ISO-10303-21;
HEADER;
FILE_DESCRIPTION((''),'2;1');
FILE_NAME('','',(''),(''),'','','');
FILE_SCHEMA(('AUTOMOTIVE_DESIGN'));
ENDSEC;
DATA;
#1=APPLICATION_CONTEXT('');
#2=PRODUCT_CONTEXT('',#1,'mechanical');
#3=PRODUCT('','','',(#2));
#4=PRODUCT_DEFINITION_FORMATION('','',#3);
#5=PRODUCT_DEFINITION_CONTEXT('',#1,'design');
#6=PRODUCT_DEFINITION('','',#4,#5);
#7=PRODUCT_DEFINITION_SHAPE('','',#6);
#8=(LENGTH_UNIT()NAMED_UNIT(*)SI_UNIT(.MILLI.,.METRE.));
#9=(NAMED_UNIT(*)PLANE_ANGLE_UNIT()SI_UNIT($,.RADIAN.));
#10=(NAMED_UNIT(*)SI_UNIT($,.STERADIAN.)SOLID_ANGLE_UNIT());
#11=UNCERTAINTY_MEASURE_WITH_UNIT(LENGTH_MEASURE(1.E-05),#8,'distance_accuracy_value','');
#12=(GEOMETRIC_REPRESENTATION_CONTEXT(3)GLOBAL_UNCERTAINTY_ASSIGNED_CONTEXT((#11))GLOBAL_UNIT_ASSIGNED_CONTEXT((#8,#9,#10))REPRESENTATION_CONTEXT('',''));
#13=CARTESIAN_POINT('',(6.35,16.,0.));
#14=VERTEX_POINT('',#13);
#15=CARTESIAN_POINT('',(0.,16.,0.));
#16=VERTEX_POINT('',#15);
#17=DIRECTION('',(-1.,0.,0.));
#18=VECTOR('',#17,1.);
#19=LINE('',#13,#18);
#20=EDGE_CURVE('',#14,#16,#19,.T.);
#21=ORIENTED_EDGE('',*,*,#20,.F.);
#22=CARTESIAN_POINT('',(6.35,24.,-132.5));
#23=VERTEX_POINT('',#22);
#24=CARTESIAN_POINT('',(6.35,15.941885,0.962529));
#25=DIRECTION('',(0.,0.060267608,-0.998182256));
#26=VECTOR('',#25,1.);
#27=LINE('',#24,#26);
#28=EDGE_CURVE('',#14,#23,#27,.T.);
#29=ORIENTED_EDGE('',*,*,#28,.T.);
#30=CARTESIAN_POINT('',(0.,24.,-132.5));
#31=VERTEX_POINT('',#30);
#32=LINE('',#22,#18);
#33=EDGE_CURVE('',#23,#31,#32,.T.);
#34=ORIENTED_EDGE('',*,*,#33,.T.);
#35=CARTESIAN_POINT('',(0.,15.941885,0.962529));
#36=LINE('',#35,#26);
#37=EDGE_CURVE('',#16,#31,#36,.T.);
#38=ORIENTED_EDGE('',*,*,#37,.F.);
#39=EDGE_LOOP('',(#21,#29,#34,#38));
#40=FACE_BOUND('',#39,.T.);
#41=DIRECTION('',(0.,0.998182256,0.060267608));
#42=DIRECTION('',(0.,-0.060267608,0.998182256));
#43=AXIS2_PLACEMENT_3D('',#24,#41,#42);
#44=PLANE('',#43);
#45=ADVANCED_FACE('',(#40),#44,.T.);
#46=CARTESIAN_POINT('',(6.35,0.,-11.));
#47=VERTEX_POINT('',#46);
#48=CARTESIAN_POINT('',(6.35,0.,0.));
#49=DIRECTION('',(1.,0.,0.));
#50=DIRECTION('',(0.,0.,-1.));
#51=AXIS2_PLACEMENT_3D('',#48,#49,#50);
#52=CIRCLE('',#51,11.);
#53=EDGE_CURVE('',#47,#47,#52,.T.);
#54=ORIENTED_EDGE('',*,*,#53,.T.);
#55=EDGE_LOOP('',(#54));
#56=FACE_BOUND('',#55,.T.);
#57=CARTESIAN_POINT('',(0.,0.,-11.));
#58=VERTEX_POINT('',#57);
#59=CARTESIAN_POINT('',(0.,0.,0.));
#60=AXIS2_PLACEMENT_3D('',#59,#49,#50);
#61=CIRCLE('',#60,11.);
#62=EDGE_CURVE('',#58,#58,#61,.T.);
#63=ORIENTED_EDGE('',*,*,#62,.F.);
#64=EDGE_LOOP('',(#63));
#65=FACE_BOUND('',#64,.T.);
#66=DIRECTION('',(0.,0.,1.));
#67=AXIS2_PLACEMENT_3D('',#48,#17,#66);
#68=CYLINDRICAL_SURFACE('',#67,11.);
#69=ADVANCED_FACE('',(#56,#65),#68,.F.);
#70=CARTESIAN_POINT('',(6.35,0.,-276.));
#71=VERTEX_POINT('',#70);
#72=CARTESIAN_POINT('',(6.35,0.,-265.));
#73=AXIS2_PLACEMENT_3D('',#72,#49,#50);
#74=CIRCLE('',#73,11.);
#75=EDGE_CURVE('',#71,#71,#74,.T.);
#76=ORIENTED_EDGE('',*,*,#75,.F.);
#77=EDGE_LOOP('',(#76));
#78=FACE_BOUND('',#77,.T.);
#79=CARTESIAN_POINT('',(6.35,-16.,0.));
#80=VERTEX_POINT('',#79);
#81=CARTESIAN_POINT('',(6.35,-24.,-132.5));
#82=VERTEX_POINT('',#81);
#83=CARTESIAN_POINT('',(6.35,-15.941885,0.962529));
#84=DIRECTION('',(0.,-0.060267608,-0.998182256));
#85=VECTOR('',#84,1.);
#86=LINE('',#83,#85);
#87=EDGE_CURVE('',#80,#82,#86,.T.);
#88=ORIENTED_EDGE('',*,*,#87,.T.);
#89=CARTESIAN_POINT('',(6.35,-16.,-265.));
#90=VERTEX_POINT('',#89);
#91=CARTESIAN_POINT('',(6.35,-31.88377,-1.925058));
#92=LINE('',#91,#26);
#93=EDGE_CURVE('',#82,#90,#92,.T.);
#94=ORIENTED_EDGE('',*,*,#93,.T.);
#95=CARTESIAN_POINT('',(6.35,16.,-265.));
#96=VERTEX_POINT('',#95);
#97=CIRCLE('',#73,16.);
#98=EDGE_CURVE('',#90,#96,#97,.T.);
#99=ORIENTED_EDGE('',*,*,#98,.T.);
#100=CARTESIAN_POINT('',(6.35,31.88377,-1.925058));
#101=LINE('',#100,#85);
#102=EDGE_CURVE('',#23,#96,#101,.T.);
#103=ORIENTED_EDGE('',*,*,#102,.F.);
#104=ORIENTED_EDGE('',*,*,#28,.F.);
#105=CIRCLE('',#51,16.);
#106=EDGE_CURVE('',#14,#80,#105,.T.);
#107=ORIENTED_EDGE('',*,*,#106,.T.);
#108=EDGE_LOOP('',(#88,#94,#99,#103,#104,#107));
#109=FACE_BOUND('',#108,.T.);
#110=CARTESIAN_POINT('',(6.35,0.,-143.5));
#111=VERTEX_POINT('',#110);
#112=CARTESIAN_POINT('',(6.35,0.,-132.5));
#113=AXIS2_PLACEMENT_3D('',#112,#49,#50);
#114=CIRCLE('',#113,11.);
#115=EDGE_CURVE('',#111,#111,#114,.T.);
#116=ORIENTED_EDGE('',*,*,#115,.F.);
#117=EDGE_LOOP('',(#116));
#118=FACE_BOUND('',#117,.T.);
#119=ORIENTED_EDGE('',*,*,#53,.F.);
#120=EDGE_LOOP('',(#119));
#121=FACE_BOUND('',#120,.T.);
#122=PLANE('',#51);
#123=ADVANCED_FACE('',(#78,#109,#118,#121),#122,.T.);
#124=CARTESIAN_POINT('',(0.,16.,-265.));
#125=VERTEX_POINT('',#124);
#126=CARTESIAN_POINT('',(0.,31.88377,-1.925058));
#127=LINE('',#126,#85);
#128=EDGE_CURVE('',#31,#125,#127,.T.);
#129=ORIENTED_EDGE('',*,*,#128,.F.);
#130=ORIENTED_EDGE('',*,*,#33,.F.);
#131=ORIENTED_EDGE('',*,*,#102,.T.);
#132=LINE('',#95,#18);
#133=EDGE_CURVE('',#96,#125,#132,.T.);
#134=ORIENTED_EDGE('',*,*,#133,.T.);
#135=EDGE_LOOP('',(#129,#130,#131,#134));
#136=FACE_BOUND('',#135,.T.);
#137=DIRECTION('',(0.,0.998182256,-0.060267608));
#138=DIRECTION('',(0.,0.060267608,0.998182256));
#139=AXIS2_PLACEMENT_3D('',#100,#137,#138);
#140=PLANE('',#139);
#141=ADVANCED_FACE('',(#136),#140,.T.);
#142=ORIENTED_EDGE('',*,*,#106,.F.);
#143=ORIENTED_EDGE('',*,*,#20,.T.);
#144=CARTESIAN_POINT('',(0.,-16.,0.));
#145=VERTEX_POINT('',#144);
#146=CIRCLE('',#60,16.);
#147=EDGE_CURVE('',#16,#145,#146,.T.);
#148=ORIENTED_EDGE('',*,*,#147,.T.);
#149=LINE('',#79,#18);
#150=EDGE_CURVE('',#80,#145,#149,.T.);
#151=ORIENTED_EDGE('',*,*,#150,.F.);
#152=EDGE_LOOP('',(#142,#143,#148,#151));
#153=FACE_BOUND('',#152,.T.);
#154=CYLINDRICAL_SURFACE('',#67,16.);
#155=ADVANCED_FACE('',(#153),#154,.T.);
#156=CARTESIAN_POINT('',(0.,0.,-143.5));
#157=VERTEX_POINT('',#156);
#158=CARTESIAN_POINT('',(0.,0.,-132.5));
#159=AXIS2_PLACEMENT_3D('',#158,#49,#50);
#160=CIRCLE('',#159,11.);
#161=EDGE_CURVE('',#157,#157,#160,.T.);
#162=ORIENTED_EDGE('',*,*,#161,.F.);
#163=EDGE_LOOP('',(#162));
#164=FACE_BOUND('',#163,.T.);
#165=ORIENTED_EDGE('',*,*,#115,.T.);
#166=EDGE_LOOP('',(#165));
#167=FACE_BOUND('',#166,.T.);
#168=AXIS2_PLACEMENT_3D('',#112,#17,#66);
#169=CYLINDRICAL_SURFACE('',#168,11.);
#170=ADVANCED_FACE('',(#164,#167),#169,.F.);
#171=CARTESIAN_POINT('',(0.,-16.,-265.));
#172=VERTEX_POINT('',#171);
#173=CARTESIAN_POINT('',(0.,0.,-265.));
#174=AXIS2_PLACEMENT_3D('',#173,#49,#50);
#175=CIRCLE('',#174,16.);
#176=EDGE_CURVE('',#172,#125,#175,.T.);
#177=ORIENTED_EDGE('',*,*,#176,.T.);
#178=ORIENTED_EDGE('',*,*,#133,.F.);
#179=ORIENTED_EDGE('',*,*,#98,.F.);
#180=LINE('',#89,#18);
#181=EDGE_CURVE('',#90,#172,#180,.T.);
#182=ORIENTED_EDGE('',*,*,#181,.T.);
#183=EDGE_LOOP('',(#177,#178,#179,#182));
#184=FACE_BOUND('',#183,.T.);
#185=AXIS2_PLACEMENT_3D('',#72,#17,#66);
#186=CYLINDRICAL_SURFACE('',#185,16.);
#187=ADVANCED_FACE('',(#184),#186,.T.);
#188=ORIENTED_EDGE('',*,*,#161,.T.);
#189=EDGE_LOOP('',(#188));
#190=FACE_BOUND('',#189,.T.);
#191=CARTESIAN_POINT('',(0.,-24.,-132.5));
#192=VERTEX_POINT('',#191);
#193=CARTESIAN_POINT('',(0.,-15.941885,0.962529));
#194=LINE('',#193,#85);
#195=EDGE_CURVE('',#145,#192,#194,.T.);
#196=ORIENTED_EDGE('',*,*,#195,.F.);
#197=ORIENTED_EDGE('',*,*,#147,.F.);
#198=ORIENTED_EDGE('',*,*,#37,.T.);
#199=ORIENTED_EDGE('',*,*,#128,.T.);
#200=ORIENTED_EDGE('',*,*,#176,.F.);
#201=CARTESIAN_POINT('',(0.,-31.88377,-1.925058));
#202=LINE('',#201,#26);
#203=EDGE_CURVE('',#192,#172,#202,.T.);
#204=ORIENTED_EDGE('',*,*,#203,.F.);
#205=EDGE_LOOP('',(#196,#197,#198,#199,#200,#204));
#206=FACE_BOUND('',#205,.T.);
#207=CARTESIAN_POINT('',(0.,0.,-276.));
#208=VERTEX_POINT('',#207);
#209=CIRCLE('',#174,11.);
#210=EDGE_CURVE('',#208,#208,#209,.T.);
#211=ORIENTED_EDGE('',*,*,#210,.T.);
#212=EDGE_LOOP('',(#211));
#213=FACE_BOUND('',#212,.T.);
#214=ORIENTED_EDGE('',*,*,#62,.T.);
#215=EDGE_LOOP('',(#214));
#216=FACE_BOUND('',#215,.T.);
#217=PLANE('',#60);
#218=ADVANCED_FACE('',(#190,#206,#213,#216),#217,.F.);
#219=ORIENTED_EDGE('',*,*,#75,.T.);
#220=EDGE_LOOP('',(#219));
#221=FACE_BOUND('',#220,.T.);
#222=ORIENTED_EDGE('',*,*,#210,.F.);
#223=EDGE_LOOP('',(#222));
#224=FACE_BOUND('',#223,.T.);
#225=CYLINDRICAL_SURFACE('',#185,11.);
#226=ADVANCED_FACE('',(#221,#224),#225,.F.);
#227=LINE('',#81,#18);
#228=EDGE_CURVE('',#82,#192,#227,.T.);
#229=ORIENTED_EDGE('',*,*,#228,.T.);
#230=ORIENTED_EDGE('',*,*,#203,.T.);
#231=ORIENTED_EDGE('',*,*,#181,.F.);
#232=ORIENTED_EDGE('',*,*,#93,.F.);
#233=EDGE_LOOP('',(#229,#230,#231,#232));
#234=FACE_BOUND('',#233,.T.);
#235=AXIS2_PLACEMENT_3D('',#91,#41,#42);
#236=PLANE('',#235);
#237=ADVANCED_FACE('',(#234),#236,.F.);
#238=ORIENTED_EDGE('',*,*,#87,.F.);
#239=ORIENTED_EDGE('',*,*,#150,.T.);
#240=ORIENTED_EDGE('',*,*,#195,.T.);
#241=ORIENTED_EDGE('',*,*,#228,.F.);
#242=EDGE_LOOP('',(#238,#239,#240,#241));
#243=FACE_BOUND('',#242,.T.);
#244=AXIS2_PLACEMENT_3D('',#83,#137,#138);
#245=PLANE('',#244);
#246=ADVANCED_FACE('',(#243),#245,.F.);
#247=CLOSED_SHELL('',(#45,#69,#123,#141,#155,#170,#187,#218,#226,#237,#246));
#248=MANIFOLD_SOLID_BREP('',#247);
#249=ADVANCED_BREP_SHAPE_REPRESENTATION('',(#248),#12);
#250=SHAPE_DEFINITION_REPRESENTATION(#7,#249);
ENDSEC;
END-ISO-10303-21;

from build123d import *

# Parameters (mm, degrees)
SKETCH1_R           = 11
BOSS_EXTRUDE1_DEPTH = 6.35


with BuildPart() as part:
    # Sketch1 → Boss-Extrude1 (new body)
    with BuildSketch(Plane(origin=(0, 0, 0), x_dir=(0, 0, -1), z_dir=(1, 0, 0))):
        with BuildLine():
            Line((0, 16), (132.5, 24))
            Line((132.5, 24), (265, 16))
            ThreePointArc((265, 16), (281, 0), (265, -16))
            Line((265, -16), (132.5, -24))
            Line((132.5, -24), (0, -16))
            ThreePointArc((0, -16), (-16, 0), (0, 16))
        make_face()
        Circle(SKETCH1_R, mode=Mode.SUBTRACT)
        with Locations((265, 0)):
            Circle(SKETCH1_R, mode=Mode.SUBTRACT)
        with Locations((132.5, 0)):
            Circle(SKETCH1_R, mode=Mode.SUBTRACT)
    extrude(amount=BOSS_EXTRUDE1_DEPTH)


solid = part.part
